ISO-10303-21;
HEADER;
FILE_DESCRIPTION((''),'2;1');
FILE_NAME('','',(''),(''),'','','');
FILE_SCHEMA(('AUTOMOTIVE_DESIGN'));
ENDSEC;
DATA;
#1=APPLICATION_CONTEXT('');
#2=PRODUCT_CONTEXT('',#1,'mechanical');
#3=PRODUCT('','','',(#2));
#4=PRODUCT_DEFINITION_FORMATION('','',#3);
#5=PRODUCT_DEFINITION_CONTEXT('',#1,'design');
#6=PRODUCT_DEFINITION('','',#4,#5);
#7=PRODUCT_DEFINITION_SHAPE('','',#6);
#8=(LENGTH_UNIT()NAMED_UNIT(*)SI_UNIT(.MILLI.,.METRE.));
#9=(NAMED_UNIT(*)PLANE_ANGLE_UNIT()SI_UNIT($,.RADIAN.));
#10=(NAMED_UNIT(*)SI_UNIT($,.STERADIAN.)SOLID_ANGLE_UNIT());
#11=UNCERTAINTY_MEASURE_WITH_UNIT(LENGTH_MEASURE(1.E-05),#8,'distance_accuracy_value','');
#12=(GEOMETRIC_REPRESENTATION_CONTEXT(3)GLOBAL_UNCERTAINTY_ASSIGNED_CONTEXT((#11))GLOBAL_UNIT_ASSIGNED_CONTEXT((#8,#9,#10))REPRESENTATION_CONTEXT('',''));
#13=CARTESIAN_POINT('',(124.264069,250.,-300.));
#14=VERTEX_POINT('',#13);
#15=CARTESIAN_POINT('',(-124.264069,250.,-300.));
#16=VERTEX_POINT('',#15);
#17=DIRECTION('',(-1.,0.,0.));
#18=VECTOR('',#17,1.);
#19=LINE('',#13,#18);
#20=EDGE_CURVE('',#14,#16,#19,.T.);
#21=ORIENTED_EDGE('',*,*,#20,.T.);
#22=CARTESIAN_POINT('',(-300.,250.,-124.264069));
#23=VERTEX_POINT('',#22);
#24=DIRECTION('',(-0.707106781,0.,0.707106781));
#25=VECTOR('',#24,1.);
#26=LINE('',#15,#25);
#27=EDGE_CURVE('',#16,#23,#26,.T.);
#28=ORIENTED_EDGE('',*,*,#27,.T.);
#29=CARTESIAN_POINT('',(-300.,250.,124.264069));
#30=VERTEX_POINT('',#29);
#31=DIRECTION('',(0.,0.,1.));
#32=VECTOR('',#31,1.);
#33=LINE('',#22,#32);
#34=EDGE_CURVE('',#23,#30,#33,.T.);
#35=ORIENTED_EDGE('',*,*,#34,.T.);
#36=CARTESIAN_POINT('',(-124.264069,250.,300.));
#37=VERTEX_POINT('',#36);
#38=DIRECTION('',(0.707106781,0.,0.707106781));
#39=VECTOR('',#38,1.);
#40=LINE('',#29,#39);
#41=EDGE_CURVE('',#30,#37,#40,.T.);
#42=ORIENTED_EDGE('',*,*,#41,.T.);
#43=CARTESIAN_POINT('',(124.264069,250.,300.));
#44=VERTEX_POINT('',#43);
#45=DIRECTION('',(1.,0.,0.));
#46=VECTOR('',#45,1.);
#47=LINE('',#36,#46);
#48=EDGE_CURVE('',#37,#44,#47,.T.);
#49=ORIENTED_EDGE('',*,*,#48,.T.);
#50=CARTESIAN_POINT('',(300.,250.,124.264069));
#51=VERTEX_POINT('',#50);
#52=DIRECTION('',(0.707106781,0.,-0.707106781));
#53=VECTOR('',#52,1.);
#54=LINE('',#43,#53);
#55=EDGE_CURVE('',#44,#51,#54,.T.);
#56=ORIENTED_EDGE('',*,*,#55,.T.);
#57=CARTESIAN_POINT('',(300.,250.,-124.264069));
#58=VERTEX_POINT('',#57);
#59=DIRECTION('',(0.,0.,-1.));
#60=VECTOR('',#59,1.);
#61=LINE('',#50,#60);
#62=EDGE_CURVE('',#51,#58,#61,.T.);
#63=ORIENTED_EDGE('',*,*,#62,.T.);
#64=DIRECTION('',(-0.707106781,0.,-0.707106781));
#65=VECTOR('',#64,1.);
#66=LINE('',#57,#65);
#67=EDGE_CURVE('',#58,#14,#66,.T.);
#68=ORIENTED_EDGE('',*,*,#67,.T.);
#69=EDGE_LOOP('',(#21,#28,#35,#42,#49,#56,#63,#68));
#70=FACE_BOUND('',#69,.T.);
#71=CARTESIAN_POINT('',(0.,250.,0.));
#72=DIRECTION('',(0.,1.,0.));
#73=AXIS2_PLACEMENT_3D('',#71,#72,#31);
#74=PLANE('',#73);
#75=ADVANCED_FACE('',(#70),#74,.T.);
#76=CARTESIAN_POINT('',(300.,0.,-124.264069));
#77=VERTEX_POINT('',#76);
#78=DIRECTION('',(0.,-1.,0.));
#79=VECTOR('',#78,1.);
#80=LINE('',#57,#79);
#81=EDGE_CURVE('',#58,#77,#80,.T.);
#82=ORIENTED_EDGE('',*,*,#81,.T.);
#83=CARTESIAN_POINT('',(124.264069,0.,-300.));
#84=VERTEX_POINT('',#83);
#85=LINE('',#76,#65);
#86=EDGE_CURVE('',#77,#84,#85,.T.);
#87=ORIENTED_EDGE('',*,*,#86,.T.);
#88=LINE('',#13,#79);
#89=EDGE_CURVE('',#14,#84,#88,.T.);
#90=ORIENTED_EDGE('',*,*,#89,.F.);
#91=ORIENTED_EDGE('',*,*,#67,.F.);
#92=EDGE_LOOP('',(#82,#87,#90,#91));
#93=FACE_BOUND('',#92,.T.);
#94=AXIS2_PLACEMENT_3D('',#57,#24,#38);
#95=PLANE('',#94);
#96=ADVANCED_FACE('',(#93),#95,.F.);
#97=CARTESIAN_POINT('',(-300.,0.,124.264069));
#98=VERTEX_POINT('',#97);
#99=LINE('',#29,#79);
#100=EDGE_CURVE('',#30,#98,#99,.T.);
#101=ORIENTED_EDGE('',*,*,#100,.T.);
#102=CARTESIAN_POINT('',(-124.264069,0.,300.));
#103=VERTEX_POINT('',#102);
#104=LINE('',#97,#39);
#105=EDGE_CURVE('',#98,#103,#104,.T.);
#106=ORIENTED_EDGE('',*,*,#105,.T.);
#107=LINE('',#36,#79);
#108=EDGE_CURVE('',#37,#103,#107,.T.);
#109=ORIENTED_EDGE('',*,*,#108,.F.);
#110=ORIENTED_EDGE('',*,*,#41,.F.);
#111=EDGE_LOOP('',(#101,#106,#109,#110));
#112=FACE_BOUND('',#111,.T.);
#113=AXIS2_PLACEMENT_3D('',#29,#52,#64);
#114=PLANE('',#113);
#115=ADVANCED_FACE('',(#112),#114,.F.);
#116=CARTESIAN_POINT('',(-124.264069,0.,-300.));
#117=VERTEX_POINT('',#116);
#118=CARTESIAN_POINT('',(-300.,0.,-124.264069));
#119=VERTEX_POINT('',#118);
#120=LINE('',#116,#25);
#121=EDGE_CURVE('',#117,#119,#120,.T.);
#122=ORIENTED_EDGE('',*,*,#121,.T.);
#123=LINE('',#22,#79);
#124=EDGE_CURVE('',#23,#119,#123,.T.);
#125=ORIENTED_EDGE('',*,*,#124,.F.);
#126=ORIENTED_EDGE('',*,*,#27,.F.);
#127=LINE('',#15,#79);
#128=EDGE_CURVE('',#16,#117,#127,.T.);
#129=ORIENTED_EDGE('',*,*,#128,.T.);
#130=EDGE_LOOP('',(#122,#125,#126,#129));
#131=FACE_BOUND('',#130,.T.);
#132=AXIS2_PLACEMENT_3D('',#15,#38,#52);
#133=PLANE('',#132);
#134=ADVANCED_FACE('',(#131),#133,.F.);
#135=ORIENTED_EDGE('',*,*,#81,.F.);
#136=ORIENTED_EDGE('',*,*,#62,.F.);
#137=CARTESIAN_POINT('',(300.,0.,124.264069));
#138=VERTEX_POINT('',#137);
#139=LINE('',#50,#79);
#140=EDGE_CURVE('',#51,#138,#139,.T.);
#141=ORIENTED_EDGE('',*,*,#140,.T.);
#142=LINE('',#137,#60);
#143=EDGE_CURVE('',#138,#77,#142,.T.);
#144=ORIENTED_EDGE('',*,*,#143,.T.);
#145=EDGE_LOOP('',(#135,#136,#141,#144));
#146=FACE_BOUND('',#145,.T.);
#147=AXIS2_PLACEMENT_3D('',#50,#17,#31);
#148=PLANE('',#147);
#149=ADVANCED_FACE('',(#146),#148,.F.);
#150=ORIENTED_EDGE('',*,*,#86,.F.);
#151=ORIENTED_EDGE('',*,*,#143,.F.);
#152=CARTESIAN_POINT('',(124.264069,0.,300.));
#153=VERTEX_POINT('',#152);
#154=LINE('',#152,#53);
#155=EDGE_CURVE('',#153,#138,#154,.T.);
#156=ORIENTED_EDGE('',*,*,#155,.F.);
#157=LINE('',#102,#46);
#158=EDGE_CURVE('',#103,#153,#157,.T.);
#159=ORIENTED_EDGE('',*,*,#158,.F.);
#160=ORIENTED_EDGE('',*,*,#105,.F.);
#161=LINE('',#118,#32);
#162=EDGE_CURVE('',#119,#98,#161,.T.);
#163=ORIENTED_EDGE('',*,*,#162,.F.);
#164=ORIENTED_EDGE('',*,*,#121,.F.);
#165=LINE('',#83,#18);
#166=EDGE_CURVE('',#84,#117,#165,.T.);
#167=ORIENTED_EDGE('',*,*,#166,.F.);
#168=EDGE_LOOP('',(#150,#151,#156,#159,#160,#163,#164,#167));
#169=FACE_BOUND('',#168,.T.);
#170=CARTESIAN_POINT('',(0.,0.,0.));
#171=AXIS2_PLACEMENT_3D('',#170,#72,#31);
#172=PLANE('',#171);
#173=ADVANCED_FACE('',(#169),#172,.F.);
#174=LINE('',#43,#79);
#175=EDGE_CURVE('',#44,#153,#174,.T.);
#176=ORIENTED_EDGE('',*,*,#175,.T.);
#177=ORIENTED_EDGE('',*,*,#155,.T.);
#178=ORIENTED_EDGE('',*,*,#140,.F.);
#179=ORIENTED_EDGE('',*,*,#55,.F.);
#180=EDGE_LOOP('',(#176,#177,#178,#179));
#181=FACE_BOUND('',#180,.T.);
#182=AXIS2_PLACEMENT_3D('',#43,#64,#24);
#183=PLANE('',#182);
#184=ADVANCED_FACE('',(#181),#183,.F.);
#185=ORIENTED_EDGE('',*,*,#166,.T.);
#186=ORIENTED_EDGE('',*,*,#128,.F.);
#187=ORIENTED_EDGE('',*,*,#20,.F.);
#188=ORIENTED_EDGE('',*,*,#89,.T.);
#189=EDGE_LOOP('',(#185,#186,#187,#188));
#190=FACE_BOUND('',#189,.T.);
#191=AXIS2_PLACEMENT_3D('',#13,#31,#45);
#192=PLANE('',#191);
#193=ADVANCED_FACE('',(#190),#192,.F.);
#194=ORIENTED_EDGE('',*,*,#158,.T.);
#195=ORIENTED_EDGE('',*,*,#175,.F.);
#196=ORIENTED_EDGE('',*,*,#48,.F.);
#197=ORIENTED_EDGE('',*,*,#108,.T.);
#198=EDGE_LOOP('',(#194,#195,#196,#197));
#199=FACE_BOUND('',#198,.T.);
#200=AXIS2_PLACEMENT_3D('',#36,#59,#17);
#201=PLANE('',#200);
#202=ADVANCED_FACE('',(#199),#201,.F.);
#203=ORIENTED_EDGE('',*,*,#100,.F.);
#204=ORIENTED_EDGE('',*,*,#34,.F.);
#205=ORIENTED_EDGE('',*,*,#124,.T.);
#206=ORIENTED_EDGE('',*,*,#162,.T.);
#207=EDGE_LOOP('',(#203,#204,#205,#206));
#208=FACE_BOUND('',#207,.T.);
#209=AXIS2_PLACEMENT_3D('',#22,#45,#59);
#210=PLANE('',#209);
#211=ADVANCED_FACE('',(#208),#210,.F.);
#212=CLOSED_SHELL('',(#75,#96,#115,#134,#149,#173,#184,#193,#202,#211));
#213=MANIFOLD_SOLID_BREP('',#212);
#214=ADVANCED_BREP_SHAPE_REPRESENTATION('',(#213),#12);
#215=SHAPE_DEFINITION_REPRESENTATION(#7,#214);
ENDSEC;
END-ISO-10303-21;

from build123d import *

# Parameters (mm, degrees)
SALIENTE_EXTRUIR1_DEPTH = 250


with BuildPart() as part:
    # Croquis1 → Saliente-Extruir1 (new body)
    with BuildSketch(Plane(origin=(0, 0, 0), x_dir=(1, 0, 0), z_dir=(0, 1, 0))):
        Polygon((300, -124.264068712), (300, 124.264068712), (124.264068712, 300), (-124.264068712, 300), (-300, 124.264068712), (-300, -124.264068712), (-124.264068712, -300), (124.264068712, -300), align=None)
    extrude(amount=SALIENTE_EXTRUIR1_DEPTH)


solid = part.part
